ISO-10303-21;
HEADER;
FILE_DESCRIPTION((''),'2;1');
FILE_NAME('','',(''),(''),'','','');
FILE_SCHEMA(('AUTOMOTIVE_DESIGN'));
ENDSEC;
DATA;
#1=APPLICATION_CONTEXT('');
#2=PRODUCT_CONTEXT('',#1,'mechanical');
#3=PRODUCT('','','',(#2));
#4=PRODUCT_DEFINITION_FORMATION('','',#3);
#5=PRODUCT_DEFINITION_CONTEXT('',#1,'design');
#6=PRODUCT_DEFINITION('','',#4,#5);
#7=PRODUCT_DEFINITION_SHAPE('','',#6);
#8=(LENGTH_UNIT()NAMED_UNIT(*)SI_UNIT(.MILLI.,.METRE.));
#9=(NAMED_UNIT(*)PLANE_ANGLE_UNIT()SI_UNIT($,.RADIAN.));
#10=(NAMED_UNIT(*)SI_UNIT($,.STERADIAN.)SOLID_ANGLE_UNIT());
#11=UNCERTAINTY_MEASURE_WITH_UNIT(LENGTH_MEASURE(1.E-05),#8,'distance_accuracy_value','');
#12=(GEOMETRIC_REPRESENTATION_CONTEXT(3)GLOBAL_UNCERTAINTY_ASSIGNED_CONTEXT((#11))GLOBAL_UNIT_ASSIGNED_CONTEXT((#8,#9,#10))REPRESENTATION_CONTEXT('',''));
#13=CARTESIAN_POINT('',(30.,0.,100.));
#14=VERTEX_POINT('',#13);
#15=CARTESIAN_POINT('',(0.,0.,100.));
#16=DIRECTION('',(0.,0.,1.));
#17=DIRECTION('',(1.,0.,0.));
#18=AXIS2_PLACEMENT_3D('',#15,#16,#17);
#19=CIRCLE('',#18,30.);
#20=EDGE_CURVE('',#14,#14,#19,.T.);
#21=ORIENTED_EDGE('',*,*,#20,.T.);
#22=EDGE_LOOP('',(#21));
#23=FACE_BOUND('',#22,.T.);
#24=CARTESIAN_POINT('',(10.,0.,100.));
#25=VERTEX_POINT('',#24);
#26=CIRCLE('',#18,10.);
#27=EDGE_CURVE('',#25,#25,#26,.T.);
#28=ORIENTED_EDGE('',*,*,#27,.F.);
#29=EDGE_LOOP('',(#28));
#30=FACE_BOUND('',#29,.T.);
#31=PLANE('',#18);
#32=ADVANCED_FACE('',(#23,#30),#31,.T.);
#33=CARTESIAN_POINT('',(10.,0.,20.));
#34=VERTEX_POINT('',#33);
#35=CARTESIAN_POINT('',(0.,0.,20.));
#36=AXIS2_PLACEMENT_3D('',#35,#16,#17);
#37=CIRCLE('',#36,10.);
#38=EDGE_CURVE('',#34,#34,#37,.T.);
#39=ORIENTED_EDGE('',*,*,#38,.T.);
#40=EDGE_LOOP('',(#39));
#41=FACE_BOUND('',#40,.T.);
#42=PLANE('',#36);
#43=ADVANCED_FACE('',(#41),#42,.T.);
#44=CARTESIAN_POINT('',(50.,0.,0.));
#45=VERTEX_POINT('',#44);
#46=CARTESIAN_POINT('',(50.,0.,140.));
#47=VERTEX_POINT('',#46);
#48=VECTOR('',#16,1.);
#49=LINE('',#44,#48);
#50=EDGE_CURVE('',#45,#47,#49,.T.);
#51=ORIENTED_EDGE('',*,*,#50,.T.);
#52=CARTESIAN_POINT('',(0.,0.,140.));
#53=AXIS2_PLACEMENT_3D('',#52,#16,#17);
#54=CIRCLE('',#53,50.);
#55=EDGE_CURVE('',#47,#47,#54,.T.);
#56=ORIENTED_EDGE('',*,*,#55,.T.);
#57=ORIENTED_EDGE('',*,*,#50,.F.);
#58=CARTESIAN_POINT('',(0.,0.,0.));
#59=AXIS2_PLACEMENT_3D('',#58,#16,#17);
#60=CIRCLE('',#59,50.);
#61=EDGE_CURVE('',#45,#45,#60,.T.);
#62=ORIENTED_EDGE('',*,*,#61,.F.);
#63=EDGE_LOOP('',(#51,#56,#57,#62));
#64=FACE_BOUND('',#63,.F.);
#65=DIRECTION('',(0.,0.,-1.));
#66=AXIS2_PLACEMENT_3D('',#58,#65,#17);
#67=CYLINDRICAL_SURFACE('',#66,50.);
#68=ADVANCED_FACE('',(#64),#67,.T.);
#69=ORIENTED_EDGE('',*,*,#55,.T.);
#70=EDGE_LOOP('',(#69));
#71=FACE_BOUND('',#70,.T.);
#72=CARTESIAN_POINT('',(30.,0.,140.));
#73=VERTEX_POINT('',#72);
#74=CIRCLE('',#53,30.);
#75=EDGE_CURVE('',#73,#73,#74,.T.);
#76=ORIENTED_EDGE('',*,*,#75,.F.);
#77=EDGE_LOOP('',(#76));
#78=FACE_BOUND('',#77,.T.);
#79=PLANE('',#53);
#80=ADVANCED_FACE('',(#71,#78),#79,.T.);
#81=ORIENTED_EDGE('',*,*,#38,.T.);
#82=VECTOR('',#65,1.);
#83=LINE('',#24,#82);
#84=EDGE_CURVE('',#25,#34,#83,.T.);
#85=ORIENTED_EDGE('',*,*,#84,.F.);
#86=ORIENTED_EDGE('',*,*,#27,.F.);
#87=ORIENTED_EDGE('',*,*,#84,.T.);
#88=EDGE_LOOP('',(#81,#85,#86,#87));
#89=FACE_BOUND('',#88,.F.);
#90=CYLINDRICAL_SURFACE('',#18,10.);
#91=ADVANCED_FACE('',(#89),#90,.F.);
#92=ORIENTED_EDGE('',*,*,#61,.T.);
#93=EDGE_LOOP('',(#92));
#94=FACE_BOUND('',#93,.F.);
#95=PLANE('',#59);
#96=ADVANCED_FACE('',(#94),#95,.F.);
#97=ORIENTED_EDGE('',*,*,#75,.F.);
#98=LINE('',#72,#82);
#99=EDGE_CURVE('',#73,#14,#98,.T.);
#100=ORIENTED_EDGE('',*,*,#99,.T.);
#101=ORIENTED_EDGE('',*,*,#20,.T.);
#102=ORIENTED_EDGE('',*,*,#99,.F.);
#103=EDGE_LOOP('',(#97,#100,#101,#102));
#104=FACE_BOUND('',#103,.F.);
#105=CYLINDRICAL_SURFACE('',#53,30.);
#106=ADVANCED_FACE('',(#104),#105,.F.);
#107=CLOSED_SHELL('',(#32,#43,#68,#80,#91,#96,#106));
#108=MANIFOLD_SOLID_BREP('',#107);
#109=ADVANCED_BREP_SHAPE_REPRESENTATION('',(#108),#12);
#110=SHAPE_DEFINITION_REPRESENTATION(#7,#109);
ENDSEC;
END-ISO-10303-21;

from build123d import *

# Parameters (mm, degrees)
SKETCH1_R           = 50
BOSS_EXTRUDE1_DEPTH = 140
SKETCH2_R           = 30
CUT_EXTRUDE1_DEPTH  = 40
SKETCH3_R           = 10
CUT_EXTRUDE2_DEPTH  = 80


with BuildPart() as part:
    # Sketch1 → Boss-Extrude1 (new body)
    with BuildSketch(Plane.XY):
        Circle(SKETCH1_R)
    extrude(amount=BOSS_EXTRUDE1_DEPTH)

    # Sketch2 → Cut-Extrude1 (cut)
    with BuildSketch(Plane.XY.offset(140)):
        Circle(SKETCH2_R)
    extrude(amount=-CUT_EXTRUDE1_DEPTH, mode=Mode.SUBTRACT)

    # Sketch3 → Cut-Extrude2 (cut)
    with BuildSketch(Plane.XY.offset(100)):
        Circle(SKETCH3_R)
    extrude(amount=-CUT_EXTRUDE2_DEPTH, mode=Mode.SUBTRACT)


solid = part.part
